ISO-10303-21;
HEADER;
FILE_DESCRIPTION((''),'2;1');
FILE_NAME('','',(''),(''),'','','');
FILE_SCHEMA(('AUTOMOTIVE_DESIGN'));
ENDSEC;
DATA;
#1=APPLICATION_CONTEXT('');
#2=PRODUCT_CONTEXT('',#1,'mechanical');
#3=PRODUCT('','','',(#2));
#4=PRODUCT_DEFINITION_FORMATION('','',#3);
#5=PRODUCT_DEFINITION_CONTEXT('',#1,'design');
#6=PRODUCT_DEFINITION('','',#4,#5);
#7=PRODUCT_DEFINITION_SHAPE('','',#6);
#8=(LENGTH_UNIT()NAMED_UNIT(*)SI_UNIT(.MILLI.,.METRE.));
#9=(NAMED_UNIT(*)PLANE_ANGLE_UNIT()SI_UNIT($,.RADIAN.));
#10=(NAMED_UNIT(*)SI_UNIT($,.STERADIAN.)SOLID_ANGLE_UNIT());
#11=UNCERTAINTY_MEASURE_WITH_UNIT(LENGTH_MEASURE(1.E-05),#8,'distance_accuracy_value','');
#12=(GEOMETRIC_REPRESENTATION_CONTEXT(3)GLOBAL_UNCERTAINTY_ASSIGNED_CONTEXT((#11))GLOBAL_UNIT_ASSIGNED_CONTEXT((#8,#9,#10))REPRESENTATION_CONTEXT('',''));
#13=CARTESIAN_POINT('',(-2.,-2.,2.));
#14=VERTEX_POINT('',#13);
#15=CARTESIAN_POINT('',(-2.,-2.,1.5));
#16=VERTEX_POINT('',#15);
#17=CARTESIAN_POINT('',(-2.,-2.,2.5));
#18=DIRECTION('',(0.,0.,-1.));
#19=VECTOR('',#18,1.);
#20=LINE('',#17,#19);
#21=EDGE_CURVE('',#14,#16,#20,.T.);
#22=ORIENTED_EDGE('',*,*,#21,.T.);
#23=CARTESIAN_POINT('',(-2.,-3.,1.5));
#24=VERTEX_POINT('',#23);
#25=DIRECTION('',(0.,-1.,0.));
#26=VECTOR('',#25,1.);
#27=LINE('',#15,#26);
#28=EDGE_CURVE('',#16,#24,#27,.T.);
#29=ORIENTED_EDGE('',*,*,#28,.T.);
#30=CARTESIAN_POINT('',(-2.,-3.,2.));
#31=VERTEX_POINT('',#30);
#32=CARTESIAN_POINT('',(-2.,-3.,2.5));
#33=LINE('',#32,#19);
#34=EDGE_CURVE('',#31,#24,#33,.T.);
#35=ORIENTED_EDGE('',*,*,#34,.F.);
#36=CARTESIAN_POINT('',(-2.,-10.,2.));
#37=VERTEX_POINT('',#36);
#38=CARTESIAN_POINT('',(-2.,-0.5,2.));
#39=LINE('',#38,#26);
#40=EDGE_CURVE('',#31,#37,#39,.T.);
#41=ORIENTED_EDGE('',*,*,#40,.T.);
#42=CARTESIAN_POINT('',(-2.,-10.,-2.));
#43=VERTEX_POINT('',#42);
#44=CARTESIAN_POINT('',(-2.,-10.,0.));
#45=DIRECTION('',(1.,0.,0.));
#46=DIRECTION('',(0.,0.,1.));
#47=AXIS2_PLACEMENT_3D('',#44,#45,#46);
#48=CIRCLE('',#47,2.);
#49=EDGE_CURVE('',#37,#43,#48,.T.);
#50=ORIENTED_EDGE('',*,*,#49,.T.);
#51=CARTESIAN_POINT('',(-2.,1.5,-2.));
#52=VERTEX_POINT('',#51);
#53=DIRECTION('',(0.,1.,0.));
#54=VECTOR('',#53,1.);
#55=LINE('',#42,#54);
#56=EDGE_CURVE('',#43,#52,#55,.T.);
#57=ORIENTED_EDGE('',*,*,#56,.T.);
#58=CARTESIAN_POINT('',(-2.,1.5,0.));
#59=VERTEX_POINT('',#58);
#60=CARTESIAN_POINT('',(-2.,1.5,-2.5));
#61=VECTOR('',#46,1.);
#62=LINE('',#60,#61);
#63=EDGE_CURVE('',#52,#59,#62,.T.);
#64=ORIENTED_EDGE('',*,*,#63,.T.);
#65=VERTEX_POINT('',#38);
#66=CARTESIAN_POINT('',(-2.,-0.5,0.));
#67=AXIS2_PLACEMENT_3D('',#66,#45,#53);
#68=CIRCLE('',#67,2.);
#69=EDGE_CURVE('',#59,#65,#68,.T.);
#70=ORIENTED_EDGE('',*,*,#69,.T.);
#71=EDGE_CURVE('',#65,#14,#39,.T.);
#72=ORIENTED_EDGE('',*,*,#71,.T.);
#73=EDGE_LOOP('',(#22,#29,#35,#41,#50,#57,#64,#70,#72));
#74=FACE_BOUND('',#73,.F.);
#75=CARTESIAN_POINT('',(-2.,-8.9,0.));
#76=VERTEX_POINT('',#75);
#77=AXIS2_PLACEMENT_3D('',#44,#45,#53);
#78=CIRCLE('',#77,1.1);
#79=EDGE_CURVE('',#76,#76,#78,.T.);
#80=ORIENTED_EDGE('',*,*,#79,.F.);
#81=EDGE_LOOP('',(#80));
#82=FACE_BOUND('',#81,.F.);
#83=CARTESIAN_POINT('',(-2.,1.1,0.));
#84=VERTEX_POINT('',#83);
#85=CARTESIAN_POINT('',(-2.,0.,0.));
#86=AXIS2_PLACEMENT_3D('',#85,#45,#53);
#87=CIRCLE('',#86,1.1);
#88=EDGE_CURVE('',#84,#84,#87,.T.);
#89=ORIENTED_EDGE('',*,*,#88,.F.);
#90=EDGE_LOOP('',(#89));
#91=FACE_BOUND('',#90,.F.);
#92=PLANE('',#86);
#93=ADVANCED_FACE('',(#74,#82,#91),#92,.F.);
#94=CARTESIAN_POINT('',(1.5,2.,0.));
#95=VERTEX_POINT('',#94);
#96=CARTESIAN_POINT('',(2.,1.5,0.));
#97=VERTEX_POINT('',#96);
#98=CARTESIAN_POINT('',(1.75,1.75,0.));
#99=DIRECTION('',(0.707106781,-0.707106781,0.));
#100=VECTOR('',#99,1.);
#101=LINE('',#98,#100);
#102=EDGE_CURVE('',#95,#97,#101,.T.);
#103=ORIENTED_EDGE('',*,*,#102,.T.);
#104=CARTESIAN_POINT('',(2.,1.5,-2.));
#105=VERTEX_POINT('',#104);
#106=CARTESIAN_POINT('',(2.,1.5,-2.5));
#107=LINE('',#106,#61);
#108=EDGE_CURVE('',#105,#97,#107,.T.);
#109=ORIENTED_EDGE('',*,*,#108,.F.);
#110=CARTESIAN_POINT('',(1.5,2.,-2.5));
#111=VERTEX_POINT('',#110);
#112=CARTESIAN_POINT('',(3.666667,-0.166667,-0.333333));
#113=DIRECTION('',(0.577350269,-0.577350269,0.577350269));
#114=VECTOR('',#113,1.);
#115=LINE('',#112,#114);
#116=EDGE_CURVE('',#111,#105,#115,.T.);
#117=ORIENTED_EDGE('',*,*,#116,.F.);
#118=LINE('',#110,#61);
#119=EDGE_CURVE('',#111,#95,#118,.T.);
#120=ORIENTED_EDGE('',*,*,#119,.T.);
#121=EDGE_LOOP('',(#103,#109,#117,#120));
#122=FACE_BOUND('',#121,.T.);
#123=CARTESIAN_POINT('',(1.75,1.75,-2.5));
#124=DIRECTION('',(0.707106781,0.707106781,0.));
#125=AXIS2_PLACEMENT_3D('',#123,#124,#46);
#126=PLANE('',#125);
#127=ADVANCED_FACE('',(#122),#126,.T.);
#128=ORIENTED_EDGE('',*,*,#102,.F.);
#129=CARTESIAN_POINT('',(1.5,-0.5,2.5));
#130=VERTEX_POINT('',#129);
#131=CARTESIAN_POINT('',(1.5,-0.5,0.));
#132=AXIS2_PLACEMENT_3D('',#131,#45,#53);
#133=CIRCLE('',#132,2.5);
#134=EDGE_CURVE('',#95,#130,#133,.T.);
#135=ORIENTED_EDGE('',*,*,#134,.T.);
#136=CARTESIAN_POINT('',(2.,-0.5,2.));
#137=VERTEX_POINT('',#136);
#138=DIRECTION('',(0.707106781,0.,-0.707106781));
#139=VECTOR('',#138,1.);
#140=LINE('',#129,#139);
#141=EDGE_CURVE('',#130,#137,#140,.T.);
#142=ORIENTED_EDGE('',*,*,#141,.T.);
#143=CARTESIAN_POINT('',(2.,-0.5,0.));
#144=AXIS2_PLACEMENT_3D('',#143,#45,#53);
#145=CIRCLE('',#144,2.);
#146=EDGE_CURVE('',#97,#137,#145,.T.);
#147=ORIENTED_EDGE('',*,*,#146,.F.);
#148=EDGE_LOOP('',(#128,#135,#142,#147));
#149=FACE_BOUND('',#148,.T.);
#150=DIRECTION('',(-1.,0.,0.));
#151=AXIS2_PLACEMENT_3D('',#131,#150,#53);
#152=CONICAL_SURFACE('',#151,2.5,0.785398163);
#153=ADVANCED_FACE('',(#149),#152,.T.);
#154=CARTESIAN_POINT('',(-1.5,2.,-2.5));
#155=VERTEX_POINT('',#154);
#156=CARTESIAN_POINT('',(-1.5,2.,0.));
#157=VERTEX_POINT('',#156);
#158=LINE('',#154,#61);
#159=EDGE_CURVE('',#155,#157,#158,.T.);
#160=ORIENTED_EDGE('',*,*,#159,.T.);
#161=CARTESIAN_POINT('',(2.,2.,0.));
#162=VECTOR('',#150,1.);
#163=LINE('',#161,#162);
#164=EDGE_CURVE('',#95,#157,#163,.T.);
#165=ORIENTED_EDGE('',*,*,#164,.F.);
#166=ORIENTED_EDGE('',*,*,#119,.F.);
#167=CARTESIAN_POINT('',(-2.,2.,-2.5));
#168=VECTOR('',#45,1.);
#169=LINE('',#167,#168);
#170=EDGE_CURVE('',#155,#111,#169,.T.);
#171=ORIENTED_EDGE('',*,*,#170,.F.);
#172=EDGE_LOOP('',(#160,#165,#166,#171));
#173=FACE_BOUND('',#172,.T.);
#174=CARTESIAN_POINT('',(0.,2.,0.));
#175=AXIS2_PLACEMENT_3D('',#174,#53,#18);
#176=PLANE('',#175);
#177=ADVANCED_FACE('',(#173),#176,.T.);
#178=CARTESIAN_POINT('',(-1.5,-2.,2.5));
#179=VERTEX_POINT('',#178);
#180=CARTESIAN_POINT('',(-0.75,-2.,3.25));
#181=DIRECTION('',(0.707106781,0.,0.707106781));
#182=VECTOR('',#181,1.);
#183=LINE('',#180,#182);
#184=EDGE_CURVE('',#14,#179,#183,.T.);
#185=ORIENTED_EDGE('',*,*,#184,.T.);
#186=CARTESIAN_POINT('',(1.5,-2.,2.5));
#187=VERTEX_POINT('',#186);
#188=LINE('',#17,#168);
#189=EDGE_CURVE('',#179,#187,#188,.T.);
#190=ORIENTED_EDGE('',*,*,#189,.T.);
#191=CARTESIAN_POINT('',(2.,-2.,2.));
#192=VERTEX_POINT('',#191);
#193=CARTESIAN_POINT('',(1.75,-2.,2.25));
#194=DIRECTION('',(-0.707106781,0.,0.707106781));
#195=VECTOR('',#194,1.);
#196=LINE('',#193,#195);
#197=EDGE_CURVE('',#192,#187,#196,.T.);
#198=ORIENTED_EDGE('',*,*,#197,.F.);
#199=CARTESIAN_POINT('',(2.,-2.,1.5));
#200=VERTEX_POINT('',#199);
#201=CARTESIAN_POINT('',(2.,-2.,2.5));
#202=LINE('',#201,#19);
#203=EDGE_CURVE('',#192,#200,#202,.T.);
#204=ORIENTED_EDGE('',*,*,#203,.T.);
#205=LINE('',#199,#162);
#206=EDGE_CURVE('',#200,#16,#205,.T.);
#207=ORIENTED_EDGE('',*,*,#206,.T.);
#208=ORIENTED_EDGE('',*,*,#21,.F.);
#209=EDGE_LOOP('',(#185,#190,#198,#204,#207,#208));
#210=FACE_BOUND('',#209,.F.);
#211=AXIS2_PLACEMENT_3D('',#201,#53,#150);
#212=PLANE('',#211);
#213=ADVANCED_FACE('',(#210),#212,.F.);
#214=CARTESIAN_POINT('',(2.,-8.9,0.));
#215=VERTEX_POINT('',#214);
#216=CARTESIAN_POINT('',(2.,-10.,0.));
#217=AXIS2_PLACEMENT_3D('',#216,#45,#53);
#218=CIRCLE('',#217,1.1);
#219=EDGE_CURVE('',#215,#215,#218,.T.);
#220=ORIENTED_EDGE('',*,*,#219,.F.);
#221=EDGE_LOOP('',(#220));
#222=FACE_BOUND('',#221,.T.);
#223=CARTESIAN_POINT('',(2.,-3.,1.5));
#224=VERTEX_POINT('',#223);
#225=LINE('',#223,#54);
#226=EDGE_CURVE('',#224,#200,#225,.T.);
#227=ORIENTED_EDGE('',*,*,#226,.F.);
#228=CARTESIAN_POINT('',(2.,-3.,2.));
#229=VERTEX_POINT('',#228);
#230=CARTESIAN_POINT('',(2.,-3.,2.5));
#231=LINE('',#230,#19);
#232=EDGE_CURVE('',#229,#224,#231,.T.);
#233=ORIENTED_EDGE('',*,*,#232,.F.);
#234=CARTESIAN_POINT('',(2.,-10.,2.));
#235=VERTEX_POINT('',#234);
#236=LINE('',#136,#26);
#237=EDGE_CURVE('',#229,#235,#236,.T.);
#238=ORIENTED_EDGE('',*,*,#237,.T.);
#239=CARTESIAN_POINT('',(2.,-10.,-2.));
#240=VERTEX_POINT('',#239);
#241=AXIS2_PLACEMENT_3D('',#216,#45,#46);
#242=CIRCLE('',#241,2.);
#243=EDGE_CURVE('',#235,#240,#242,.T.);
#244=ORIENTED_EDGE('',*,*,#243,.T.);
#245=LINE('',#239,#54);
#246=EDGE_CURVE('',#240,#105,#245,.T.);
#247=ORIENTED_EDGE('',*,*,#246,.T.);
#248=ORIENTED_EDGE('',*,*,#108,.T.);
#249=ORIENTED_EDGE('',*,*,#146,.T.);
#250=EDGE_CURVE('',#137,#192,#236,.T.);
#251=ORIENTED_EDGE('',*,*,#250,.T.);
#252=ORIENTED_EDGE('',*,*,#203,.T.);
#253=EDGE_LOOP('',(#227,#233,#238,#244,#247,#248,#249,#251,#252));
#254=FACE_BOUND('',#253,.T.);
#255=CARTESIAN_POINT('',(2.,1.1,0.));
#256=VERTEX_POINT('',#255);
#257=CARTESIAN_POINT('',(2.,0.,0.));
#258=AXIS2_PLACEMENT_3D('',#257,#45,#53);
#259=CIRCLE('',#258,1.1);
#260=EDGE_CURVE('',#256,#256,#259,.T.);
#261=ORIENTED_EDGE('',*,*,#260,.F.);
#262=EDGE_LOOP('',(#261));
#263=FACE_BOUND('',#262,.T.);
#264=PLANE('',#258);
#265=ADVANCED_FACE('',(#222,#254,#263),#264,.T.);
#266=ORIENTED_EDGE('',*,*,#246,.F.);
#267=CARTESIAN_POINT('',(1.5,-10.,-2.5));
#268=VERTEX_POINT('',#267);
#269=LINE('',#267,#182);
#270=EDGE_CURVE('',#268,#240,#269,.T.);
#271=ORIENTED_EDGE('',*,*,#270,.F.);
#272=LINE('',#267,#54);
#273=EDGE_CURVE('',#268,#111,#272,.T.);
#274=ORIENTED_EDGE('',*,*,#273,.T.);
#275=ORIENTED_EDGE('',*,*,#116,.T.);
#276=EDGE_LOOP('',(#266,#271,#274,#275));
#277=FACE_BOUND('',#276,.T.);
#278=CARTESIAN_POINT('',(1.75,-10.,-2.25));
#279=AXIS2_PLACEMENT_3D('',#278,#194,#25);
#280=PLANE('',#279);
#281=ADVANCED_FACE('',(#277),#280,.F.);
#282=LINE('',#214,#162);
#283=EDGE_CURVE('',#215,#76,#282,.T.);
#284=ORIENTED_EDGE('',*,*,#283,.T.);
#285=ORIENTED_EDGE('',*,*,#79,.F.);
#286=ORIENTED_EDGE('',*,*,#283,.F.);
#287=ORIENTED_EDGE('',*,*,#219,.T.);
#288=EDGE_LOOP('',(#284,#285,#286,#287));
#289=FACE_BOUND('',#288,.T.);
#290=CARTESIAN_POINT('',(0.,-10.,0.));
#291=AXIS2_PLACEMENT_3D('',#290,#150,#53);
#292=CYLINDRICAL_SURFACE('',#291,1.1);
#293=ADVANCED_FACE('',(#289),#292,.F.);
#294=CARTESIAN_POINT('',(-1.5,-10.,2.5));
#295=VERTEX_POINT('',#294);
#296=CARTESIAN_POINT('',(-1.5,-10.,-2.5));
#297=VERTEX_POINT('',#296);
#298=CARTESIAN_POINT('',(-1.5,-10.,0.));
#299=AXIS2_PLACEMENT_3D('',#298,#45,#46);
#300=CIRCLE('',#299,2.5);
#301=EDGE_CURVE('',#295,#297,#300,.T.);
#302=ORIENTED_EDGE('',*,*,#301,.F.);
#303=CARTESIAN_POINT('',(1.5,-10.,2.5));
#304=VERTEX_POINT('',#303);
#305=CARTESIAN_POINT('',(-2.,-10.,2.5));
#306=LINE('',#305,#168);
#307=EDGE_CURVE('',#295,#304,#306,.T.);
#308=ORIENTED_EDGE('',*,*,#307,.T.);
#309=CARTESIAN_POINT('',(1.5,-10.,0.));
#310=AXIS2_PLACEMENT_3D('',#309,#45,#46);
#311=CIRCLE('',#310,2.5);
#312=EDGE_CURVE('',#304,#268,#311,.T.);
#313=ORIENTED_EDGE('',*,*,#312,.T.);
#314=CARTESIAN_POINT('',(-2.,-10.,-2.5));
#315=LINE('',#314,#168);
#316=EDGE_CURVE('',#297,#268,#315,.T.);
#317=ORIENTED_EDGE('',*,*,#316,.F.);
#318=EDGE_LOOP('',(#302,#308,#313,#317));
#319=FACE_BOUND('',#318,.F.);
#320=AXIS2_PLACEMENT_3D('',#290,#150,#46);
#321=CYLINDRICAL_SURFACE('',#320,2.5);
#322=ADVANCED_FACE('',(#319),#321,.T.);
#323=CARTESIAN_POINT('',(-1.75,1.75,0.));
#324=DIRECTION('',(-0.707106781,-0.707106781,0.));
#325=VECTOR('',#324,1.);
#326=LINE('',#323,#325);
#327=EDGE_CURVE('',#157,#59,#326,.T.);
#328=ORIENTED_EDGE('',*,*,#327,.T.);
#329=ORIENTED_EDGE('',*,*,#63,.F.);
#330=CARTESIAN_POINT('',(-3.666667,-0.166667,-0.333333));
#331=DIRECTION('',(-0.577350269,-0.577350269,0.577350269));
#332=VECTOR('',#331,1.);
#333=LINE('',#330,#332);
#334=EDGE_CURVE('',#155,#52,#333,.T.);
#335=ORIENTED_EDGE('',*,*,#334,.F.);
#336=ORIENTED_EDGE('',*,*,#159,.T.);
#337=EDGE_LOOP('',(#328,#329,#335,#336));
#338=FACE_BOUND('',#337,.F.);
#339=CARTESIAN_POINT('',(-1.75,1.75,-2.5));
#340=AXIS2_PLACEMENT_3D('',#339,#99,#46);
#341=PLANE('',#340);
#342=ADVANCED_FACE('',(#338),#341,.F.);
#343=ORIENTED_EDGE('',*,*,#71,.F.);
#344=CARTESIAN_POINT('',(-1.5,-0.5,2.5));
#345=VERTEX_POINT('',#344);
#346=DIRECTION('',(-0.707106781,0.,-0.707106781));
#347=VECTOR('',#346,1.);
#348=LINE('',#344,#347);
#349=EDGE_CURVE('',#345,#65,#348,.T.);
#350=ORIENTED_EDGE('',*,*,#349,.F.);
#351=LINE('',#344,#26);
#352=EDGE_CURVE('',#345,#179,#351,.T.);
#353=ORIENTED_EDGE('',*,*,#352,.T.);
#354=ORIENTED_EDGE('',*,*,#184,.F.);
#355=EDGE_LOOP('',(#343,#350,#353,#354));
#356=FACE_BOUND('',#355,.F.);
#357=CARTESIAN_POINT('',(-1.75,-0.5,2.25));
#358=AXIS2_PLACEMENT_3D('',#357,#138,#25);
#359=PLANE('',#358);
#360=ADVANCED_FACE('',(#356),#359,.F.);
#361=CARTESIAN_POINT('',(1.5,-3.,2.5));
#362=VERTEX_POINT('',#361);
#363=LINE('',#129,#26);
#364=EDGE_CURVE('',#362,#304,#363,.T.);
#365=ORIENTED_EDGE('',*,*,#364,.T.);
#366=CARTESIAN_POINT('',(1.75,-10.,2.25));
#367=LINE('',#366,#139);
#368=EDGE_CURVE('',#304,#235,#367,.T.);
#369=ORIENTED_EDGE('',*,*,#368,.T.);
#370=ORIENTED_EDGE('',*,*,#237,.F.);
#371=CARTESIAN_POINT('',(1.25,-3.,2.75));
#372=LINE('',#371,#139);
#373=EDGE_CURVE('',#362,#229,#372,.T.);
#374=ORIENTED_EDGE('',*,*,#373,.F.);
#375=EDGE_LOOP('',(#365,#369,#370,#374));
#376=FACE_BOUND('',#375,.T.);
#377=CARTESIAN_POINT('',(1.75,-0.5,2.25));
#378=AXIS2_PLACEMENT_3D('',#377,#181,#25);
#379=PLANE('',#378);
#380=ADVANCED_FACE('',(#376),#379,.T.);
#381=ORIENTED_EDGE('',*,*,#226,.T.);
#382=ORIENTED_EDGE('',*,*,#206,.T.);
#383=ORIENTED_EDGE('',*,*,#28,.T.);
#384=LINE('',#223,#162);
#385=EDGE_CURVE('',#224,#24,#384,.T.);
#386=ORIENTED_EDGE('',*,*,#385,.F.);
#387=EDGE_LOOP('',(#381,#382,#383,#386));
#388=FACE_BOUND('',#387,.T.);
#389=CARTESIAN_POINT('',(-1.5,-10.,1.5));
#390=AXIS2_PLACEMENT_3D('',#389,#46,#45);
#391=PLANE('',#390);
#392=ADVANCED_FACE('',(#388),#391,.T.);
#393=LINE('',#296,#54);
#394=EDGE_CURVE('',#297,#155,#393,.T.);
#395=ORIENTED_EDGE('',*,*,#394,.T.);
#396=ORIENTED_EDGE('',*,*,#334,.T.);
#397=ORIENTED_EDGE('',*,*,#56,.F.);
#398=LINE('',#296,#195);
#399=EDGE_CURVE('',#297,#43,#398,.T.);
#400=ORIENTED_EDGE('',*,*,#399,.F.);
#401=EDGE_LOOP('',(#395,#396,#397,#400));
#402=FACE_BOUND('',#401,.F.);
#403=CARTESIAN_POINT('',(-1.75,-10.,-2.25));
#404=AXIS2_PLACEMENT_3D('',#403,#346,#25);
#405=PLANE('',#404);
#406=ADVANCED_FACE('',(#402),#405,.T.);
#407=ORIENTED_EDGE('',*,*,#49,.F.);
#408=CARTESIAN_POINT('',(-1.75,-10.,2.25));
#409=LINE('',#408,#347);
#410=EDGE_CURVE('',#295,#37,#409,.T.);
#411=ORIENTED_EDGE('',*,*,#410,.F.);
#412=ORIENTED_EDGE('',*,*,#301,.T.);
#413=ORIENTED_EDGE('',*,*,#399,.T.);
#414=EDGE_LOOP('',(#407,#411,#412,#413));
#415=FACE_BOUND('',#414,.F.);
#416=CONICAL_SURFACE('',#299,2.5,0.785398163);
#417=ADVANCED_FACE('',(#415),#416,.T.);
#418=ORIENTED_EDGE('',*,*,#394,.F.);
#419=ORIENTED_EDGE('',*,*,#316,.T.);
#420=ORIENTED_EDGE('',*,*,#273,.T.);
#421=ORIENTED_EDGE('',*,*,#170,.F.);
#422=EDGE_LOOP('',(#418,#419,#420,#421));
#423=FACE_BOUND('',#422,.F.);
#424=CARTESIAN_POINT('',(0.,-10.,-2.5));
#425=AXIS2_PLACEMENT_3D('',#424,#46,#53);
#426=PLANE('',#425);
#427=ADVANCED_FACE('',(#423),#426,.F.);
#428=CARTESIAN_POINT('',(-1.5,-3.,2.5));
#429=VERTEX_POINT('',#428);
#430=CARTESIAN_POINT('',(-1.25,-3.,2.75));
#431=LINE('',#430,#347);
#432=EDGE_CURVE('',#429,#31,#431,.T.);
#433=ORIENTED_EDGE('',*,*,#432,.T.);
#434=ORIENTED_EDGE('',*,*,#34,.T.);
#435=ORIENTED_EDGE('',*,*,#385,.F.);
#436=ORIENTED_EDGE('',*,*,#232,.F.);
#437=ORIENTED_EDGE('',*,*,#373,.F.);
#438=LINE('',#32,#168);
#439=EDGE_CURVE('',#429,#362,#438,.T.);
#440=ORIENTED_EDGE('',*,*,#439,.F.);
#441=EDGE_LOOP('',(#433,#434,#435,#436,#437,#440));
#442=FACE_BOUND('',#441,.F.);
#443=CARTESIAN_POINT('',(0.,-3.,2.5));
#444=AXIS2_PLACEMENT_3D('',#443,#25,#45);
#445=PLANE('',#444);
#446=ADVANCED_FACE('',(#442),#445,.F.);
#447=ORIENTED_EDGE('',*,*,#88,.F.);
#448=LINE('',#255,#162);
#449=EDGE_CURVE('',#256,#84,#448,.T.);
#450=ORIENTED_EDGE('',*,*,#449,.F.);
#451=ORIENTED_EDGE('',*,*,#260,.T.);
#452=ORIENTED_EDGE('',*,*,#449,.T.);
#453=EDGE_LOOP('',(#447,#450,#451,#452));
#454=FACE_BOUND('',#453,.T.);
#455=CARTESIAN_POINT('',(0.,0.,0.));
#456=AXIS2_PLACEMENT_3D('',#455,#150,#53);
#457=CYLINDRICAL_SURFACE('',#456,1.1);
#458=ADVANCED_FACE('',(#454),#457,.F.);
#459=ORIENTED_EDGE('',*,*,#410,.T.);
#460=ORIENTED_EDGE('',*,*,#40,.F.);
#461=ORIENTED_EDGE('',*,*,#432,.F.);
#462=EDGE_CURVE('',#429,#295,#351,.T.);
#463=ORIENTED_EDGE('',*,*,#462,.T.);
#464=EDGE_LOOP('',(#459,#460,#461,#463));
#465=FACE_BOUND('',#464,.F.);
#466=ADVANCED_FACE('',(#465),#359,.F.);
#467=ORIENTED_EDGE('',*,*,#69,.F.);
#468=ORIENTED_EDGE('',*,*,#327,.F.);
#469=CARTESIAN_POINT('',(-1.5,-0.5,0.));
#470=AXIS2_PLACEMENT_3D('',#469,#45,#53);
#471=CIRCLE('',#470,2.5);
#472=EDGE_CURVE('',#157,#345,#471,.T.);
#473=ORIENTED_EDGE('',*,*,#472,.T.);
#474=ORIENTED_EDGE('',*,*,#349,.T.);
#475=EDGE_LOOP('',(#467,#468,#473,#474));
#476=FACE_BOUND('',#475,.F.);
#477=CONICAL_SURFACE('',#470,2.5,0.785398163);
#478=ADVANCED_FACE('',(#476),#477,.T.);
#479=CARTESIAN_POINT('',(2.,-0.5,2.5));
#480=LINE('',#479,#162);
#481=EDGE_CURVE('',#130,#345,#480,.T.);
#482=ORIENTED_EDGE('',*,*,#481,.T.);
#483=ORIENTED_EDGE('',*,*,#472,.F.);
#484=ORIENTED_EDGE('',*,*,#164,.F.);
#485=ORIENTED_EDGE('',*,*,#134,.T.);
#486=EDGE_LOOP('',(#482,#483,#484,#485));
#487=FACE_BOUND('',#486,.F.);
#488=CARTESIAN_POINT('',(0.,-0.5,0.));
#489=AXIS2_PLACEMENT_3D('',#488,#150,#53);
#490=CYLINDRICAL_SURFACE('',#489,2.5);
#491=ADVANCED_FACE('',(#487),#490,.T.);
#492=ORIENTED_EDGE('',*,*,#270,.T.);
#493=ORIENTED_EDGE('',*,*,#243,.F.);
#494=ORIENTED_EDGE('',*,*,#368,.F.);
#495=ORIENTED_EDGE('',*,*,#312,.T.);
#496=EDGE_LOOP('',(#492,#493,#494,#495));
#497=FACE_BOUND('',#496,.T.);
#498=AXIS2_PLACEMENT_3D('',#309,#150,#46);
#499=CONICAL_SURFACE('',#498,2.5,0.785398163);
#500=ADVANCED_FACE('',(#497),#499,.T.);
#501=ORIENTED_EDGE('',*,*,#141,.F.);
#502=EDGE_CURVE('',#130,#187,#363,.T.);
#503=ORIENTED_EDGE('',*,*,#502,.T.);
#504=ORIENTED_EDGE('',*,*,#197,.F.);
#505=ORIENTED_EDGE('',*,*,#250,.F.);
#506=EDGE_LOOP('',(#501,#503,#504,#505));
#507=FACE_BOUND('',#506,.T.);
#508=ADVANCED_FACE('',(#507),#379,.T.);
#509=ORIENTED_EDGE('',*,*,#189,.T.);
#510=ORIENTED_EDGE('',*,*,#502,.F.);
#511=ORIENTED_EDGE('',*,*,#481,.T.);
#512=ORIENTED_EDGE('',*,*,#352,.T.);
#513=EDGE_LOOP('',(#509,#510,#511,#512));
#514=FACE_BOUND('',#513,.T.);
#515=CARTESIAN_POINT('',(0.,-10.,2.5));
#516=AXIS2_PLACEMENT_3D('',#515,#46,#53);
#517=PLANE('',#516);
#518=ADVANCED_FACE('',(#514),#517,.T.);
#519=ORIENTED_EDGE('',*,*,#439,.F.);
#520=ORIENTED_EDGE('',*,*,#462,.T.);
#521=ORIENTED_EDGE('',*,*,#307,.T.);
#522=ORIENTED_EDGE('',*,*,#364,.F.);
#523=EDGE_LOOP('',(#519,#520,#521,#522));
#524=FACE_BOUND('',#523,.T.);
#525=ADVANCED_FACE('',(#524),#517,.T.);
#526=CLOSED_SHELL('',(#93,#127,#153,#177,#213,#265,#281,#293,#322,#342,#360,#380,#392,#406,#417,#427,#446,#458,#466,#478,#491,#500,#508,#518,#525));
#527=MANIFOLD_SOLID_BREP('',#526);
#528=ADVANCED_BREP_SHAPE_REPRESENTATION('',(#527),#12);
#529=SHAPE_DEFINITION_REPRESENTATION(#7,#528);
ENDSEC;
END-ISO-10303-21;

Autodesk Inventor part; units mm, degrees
ref_plane "YZ Plane" through (0, 0, 0) normal (1, 0, 0) x (0, 1, 0)
ref_plane "XZ Plane" through (0, 0, 0) normal (0, 1, 0) x (-1, 0, 0)
ref_plane "XY Plane" through (0, 0, 0) normal (0, 0, 1) x (1, 0, 0)
sketch "Skizze1" plane through (0, 0, 0) normal (1, 0, 0) x (0, 1, 0)
  line L0 (0, 0) -> (-10, 0) construction
  circle A0 centre (0, 0) radius 1.1
  circle A1 centre (-10, 0) radius 1.1
  arc A2 (-10, 2.5) -> (-10, -2.5) centre (-10, 0) ccw
  line L1 (-10, -2.5) -> (2, -2.5)
  line L2 (-10, 2.5) -> (-0.5, 2.5)
  arc A3 (2, 0) -> (-0.5, 2.5) centre (-0.5, 0) ccw
  line L3 (2, 0) -> (2, -2.5)
  dimension "d0" = 10
  dimension "d1" = 2.2
  dimension "d2" = 2.2
  dimension "d3" = 2.5
  dimension "d8" = 2.5
  dimension "d9" = 2
extrude "Extrusion1" add sketch "Skizze1" along normal mid plane 4
chamfer "Fase1" distance 0.5 angle 45 10 edges at (2, 1.2678, 1.7678) (2, -5.25, 2.5) (2, -12.5, 0) (2, -4, -2.5) (2, 2, -1.25) (-2, 1.2678, 1.7678) (-2, -5.25, 2.5) (-2, -12.5, 0) (-2, -4, -2.5) (-2, 2, -1.25)
sketch "Skizze5" plane through (-1.5, -10, 2.5) normal (0, 0, 1) x (1, 0, 0)
  line L0 (1.5, 14.9) -> (1.5, -5.4) projected
  line L1 (-1.3, 10) -> (4.3, 10) projected
  line L2 (3.5, 8) -> (-0.5, 8)
  line L3 (-0.5, 8) -> (-0.5, 7)
  line L4 (-0.5, 7) -> (3.5, 7)
  line L5 (3.5, 7) -> (3.5, 8)
  line L6 (3.5, 0) -> (3.5, 9.5) projected
  line L7 (-0.5, 9.5) -> (-0.5, 0) projected
  point P0 (1.5, 10)
  dimension "d26" = 1
  dimension "d27" = 2
extrude "Extrusion4" cut sketch "Skizze5" against normal blind 1
pattern_linear "Rechteckige Anordnung1" [suppressed]
equation "\"d2\" = d1"
properties part number "Chipanschlag L2.0"
